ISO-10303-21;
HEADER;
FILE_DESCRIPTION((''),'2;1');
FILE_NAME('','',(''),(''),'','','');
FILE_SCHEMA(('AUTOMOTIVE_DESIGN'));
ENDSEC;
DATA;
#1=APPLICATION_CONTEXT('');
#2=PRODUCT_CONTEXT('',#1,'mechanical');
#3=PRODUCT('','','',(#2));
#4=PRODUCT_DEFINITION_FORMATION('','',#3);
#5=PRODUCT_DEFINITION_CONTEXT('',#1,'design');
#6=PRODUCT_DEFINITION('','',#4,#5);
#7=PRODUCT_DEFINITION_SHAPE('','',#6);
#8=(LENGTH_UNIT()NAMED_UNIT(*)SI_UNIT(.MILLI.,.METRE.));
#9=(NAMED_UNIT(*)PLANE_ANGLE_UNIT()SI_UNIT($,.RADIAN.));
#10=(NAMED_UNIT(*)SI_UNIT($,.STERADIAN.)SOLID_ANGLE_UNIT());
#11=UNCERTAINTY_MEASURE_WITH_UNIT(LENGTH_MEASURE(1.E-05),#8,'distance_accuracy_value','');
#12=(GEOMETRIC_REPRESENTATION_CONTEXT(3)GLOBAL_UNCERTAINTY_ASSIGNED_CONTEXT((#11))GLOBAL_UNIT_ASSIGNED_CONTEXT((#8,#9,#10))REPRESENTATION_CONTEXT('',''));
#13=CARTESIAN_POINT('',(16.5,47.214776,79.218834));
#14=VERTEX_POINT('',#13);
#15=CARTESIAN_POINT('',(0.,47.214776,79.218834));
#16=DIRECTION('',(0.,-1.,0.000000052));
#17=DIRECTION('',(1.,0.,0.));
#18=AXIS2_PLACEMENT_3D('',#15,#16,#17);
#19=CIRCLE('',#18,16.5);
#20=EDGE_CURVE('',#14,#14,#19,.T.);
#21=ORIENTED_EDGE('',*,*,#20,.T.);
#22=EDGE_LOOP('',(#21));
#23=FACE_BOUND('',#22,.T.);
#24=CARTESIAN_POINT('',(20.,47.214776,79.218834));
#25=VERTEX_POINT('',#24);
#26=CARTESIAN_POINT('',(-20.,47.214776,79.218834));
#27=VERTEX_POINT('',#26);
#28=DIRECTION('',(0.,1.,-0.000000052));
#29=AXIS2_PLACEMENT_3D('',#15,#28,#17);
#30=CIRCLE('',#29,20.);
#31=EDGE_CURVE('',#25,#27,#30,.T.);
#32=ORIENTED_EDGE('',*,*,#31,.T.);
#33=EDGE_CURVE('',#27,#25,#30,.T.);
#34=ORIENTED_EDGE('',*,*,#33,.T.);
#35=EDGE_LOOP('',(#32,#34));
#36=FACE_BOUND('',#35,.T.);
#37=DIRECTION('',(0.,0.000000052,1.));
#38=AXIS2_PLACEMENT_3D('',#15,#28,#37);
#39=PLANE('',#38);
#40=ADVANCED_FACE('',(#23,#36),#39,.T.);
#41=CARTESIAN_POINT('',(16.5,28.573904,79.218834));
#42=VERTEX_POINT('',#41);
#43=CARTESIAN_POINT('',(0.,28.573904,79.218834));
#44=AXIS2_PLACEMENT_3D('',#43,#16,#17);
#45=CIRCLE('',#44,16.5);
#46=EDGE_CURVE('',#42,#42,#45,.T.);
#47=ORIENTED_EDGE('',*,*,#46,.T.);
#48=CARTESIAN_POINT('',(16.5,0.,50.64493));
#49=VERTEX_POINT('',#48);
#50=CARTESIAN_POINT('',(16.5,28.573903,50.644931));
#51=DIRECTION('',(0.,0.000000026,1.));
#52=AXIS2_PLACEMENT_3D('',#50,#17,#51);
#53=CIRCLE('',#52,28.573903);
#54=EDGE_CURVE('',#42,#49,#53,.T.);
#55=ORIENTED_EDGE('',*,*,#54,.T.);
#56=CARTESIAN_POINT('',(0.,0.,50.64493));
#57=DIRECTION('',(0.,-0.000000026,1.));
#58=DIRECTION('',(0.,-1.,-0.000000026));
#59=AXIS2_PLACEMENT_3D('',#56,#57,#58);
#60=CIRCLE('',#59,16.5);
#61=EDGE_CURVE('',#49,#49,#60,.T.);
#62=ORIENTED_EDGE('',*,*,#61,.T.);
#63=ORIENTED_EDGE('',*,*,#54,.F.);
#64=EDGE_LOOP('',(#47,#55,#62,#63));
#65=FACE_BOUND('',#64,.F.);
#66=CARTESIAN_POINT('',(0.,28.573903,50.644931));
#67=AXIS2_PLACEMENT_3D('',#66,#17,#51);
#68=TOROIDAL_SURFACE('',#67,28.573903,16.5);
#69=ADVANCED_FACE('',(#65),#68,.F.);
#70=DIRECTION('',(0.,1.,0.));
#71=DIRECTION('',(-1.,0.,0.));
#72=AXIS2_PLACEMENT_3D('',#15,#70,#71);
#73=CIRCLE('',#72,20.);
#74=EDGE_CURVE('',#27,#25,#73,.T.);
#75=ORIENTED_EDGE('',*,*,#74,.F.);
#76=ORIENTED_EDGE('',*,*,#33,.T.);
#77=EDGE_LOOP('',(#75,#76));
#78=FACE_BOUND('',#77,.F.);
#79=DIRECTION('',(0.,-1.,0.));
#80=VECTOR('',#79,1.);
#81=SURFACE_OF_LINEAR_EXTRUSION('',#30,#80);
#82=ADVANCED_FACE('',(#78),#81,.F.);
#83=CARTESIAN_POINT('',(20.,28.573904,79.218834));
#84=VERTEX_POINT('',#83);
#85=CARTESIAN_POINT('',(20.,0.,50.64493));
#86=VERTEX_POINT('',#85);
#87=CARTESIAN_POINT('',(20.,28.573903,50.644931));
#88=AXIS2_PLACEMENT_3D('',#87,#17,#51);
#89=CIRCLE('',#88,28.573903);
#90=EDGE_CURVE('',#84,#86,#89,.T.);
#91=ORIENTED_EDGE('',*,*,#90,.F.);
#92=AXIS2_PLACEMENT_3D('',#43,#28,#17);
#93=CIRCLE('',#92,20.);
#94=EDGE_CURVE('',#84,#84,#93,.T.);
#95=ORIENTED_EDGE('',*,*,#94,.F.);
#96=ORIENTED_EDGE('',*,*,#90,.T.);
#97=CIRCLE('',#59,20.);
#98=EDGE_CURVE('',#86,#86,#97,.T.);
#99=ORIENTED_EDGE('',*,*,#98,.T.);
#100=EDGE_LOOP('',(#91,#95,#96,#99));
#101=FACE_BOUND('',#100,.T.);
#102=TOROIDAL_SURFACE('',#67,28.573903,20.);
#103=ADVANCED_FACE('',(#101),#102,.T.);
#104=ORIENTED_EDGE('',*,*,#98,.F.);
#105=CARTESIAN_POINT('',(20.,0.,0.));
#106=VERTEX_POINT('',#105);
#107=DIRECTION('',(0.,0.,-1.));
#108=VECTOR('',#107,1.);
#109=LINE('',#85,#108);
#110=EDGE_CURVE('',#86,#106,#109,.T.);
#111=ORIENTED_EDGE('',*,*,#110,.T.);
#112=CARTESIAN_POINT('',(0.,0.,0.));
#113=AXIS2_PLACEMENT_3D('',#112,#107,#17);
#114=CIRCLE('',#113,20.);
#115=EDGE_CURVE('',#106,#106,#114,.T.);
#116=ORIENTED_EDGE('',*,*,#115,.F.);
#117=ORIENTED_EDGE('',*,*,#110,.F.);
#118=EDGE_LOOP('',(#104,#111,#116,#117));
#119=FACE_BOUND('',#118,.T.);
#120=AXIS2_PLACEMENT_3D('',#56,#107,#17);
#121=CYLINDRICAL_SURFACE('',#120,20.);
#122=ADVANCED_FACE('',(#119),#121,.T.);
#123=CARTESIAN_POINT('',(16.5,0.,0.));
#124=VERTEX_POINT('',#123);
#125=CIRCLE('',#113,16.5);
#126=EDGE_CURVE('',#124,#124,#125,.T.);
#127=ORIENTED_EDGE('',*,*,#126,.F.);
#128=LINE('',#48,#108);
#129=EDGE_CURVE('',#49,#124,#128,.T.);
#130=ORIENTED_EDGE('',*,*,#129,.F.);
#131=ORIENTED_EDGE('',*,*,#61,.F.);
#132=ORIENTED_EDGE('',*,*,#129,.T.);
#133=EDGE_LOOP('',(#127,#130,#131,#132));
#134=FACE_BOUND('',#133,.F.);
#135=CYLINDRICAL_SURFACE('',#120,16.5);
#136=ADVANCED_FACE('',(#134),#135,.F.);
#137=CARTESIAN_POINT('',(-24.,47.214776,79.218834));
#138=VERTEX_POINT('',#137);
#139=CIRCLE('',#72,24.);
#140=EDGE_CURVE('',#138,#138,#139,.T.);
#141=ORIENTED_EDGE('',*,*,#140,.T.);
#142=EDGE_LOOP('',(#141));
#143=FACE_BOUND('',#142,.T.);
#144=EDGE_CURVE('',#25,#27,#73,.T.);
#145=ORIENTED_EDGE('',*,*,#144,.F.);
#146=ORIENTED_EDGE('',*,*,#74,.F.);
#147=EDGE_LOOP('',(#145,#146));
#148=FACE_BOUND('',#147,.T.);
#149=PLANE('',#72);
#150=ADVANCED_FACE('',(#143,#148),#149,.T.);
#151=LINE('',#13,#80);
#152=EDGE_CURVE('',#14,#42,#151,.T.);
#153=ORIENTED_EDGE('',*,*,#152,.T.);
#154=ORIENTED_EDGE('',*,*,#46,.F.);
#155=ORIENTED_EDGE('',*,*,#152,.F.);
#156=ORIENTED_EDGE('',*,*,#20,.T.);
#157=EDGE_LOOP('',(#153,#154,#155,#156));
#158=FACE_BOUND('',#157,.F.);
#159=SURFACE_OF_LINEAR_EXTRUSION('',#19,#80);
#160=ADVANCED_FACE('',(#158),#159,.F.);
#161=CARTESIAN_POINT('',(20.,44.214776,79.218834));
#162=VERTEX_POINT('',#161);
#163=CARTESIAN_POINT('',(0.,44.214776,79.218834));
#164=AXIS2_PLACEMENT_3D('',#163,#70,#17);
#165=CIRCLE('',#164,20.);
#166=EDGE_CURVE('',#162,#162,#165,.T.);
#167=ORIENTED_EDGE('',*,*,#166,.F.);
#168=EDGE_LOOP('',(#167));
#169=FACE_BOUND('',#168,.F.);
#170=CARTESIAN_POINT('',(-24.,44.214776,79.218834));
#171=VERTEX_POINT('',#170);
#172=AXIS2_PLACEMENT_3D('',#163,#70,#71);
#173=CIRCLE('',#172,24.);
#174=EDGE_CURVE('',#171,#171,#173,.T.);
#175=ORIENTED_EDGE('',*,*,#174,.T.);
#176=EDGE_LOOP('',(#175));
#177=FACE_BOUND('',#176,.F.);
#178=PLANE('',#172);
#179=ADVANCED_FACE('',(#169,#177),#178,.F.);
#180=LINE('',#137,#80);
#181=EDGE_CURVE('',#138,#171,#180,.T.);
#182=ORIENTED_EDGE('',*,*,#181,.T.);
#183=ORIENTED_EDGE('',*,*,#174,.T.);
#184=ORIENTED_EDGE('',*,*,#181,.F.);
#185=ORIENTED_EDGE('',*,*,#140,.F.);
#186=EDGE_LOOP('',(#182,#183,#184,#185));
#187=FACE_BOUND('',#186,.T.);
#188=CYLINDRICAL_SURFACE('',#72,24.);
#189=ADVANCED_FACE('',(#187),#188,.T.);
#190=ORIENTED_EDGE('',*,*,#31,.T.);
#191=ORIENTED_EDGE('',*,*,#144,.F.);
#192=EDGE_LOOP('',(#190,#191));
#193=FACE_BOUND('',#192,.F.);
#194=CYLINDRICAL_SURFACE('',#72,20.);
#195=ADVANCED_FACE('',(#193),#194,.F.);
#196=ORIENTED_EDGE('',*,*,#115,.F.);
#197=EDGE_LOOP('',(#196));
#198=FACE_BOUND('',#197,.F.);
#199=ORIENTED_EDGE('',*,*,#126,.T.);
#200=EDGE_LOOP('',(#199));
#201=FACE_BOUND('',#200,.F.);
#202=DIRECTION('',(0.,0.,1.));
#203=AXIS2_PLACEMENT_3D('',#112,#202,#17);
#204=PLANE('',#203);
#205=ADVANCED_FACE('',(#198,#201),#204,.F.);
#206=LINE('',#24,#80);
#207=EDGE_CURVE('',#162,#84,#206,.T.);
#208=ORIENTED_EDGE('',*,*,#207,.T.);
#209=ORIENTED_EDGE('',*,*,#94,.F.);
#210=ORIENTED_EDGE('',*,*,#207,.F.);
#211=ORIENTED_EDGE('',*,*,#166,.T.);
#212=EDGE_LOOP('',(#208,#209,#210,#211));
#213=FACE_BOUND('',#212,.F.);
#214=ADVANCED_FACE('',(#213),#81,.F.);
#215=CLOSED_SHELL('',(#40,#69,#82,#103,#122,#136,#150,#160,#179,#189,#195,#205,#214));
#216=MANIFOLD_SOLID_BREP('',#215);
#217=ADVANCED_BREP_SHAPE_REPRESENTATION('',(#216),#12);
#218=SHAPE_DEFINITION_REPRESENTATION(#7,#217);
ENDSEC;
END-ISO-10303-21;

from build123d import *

# Parameters (mm, degrees)
F0_R     = 20
F0_R_2   = 16.5
F3_R     = 24
F3_R_2   = 20
F4_DEPTH = 3


with BuildPart() as f2:
    # F2: sweep along a path in F1
    with BuildLine(Plane.YZ) as f2_path:
        Line((47.214776, 79.218834), (28.573904, 79.218834))
        ThreePointArc((28.573904, 79.218834), (8.369103, 70.849732), (0, 50.64493))
        Line((0, 50.64493), (0, 0))
    # F0 (on Top) → F2 (sweep)
    with BuildSketch(Plane.XY):
        Circle(F0_R)
        Circle(F0_R_2, mode=Mode.SUBTRACT)
    sweep(path=f2_path.line)

    # F3 (on face) → F4 (join)
    with BuildSketch(Plane(origin=(0, 47.214776, 0), x_dir=(-1, 0, 0), z_dir=(0, 1, 0))):
        with Locations((0, 79.218834)):
            Circle(F3_R)
        with Locations((0, 79.218834)):
            Circle(F3_R_2, mode=Mode.SUBTRACT)
    extrude(amount=-F4_DEPTH)


solid = f2.part
